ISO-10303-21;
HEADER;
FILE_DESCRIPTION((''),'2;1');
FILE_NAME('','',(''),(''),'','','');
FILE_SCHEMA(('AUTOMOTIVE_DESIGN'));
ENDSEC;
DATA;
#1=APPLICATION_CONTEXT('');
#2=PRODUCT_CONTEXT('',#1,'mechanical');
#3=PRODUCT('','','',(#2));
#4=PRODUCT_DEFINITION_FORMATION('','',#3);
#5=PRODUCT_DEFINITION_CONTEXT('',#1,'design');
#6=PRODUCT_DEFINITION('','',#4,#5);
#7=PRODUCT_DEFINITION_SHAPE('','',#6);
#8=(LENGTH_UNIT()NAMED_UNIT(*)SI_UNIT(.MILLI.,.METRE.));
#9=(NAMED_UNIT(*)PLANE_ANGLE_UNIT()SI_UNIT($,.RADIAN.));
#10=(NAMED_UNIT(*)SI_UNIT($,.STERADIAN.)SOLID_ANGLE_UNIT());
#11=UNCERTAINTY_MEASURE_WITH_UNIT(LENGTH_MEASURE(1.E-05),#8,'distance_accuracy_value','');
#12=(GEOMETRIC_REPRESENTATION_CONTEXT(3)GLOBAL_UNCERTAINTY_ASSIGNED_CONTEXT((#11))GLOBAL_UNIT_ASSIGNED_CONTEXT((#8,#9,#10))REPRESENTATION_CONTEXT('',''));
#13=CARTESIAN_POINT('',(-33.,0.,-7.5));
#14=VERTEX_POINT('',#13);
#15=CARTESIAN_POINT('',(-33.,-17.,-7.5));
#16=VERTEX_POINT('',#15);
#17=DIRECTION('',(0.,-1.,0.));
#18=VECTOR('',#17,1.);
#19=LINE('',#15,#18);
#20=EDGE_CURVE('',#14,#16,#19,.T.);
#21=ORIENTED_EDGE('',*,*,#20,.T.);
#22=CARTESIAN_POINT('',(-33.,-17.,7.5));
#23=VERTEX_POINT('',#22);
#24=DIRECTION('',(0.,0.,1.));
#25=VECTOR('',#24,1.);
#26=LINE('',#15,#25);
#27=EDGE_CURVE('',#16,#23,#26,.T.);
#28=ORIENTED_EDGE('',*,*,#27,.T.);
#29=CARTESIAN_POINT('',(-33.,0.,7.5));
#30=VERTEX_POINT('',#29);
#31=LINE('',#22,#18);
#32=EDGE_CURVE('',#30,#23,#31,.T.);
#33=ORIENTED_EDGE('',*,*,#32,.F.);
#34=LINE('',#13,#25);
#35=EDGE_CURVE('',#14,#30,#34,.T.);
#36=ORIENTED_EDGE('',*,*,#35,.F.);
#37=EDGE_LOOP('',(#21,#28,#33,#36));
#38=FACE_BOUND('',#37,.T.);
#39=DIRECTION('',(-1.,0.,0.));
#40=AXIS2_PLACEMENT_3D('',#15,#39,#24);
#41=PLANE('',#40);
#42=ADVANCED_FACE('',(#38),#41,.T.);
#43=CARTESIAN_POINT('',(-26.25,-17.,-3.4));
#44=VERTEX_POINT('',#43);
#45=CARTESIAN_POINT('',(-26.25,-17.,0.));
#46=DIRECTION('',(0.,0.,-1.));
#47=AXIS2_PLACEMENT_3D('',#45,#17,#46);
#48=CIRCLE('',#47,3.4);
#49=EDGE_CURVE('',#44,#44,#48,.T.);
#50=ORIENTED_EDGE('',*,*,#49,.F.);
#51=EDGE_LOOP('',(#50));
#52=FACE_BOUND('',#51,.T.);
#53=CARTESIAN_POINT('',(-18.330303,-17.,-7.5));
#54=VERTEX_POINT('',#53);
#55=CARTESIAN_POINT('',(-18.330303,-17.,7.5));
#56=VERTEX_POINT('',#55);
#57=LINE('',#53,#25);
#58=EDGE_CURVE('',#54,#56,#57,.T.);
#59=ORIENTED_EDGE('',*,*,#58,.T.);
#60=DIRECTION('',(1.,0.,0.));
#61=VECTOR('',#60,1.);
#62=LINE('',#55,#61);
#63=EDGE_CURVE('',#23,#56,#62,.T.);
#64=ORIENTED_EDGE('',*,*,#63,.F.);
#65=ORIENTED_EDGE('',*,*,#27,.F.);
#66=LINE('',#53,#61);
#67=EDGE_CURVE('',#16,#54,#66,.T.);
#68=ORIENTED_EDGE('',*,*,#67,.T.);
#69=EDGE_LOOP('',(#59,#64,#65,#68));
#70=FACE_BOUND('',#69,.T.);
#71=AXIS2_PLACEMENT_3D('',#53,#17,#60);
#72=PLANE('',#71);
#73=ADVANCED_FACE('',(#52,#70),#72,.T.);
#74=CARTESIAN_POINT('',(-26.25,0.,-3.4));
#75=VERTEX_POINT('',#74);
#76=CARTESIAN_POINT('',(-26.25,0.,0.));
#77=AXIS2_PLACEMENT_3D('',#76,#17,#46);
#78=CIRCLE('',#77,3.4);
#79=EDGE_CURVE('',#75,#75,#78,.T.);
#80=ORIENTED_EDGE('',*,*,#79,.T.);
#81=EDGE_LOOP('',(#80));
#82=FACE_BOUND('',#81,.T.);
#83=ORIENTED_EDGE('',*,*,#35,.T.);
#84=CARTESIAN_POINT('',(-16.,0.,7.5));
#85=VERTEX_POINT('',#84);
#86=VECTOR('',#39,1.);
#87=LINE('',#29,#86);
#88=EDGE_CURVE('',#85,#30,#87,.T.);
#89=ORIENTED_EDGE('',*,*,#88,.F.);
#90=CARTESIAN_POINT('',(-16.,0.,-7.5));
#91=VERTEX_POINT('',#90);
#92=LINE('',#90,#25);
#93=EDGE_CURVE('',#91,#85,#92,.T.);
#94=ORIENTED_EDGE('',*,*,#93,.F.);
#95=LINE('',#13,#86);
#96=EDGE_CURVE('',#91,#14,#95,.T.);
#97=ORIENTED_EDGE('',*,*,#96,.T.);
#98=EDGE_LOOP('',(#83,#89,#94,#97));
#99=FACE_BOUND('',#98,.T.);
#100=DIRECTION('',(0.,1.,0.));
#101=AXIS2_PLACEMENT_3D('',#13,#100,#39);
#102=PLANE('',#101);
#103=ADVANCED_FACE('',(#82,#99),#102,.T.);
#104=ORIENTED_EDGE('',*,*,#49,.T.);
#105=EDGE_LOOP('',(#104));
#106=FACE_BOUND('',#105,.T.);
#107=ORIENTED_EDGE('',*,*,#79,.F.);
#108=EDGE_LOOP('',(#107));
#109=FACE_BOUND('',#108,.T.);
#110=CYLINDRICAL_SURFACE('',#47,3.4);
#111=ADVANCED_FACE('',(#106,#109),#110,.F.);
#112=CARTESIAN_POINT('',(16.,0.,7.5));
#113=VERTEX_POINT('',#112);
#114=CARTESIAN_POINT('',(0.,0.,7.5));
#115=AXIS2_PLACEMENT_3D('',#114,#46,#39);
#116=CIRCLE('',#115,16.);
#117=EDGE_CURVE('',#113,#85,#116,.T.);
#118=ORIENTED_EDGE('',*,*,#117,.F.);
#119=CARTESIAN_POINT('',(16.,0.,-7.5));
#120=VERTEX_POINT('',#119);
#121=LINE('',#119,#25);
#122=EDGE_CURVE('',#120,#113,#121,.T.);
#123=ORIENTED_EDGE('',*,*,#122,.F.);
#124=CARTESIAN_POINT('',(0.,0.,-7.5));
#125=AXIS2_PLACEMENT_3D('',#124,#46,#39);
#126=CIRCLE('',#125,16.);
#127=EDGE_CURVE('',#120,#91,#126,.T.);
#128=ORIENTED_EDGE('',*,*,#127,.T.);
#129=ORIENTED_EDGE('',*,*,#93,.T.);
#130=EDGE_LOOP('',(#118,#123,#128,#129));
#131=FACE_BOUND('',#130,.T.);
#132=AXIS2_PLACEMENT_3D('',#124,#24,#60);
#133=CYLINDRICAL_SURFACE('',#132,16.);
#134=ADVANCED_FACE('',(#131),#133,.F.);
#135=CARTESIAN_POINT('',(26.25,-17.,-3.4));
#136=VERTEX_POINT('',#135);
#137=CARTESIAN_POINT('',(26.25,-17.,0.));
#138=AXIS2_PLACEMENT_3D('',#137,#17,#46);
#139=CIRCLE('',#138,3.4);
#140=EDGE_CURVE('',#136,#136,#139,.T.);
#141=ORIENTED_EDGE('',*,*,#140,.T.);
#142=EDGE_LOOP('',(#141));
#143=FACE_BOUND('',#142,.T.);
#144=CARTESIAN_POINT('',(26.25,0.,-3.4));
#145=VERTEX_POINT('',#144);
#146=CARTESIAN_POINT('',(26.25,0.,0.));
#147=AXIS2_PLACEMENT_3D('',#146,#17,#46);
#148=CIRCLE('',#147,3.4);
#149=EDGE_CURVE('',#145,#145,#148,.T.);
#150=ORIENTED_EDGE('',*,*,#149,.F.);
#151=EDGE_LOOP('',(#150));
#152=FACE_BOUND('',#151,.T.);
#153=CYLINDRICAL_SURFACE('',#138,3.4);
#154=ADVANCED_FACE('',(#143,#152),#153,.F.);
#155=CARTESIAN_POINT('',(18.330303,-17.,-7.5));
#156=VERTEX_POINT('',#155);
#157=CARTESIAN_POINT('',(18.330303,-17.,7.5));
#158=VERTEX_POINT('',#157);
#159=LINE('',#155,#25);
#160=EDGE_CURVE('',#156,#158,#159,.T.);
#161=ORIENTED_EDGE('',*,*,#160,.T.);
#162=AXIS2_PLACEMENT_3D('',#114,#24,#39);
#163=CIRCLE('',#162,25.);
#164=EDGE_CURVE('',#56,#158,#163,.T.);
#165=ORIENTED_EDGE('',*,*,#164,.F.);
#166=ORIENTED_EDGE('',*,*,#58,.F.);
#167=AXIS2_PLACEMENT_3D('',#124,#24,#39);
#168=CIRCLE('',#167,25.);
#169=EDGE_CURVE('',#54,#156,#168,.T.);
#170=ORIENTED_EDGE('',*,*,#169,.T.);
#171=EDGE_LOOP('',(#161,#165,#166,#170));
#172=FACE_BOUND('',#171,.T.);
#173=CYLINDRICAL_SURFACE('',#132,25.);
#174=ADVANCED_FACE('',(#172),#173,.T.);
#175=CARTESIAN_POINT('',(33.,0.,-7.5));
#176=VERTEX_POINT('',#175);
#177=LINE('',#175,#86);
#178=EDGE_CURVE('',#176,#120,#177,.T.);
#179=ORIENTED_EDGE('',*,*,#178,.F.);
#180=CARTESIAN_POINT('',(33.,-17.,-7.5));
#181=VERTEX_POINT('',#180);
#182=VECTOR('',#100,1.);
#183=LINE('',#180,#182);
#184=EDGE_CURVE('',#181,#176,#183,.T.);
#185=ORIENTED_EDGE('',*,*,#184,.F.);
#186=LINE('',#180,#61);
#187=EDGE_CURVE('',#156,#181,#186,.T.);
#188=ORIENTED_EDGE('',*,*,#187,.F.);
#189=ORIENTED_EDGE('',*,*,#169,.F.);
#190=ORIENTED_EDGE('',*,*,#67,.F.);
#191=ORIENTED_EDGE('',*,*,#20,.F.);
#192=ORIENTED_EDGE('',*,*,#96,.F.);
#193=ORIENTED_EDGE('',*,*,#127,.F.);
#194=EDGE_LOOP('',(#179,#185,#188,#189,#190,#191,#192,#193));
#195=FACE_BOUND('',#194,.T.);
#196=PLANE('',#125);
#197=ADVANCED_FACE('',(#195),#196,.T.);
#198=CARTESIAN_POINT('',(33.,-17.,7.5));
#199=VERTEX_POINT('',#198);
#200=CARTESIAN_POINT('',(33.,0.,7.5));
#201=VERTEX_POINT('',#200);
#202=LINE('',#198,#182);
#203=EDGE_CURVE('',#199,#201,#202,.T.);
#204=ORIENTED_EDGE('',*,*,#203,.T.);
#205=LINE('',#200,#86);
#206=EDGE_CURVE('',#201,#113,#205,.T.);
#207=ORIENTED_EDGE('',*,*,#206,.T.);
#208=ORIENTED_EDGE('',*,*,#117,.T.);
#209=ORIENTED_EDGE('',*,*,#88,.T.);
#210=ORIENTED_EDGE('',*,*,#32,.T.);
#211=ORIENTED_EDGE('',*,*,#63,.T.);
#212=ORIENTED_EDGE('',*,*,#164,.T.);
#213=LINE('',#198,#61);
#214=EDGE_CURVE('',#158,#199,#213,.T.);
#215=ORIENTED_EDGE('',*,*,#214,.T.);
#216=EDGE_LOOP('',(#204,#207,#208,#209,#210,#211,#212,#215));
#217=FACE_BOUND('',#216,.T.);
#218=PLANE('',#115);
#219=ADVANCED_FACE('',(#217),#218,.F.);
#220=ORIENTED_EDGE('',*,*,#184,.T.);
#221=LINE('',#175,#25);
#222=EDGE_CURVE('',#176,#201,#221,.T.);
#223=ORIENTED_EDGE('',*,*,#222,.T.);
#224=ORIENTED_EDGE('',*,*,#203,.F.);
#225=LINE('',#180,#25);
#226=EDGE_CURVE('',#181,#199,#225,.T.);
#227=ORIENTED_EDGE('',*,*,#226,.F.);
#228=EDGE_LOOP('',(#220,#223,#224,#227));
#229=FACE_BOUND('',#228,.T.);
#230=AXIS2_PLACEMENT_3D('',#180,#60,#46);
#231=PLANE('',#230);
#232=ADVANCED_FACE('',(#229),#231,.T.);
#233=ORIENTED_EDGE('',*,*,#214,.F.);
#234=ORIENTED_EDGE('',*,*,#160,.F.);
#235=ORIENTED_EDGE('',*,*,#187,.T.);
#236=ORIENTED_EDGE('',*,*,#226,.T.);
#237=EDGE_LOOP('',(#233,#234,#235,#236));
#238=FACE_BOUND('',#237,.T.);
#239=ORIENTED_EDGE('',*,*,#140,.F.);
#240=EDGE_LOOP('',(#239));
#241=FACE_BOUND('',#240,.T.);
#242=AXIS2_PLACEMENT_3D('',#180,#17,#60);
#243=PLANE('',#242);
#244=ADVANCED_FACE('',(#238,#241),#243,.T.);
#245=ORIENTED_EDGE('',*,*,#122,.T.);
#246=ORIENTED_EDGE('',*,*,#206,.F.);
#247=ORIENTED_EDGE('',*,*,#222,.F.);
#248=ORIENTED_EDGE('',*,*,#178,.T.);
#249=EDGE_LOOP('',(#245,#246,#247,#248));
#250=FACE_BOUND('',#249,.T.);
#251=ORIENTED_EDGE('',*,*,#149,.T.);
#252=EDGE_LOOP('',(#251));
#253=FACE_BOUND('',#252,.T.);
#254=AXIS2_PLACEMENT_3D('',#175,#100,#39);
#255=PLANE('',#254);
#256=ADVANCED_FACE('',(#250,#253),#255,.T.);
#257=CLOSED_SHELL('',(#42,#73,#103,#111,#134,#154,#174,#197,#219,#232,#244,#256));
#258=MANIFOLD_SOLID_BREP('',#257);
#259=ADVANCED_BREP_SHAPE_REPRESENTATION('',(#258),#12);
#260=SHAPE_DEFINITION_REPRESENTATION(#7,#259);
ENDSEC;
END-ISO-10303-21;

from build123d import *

# Parameters (mm, degrees)
BOSS_EXTRUDE1_DEPTH      = 7.5
BOSS_EXTRUDE1_DEPTH_BACK = 7.5
TAP_DRILL_FOR_M8_TAP1_D  = 6.8


with BuildPart() as part:
    # Sketch1 → Boss-Extrude1 (new, two sides: drawn at the far end of the back side and taken through both)
    with BuildSketch(Plane.XY.offset(-BOSS_EXTRUDE1_DEPTH_BACK)):
        with BuildLine():
            Line((-33, 0), (-16, 0))
            ThreePointArc((-16, 0), (0, -16), (16, 0))
            Line((16, 0), (33, 0))
            Line((33, 0), (33, -17))
            Line((33, -17), (18.33030278, -17))
            ThreePointArc((18.33030278, -17), (0, -25), (-18.33030278, -17))
            Line((-18.33030278, -17), (-33, -17))
            Line((-33, -17), (-33, 0))
        make_face()
    extrude(amount=BOSS_EXTRUDE1_DEPTH + BOSS_EXTRUDE1_DEPTH_BACK)

    # Tap Drill for M8 Tap1 (through all)
    with Locations(Plane(origin=(0, -17, 0), x_dir=(-1, 0, 0), z_dir=(0, -1, 0))):
        with Locations((26.25, 0), (-26.25, 0)):
            Hole(TAP_DRILL_FOR_M8_TAP1_D / 2)


solid = part.part
